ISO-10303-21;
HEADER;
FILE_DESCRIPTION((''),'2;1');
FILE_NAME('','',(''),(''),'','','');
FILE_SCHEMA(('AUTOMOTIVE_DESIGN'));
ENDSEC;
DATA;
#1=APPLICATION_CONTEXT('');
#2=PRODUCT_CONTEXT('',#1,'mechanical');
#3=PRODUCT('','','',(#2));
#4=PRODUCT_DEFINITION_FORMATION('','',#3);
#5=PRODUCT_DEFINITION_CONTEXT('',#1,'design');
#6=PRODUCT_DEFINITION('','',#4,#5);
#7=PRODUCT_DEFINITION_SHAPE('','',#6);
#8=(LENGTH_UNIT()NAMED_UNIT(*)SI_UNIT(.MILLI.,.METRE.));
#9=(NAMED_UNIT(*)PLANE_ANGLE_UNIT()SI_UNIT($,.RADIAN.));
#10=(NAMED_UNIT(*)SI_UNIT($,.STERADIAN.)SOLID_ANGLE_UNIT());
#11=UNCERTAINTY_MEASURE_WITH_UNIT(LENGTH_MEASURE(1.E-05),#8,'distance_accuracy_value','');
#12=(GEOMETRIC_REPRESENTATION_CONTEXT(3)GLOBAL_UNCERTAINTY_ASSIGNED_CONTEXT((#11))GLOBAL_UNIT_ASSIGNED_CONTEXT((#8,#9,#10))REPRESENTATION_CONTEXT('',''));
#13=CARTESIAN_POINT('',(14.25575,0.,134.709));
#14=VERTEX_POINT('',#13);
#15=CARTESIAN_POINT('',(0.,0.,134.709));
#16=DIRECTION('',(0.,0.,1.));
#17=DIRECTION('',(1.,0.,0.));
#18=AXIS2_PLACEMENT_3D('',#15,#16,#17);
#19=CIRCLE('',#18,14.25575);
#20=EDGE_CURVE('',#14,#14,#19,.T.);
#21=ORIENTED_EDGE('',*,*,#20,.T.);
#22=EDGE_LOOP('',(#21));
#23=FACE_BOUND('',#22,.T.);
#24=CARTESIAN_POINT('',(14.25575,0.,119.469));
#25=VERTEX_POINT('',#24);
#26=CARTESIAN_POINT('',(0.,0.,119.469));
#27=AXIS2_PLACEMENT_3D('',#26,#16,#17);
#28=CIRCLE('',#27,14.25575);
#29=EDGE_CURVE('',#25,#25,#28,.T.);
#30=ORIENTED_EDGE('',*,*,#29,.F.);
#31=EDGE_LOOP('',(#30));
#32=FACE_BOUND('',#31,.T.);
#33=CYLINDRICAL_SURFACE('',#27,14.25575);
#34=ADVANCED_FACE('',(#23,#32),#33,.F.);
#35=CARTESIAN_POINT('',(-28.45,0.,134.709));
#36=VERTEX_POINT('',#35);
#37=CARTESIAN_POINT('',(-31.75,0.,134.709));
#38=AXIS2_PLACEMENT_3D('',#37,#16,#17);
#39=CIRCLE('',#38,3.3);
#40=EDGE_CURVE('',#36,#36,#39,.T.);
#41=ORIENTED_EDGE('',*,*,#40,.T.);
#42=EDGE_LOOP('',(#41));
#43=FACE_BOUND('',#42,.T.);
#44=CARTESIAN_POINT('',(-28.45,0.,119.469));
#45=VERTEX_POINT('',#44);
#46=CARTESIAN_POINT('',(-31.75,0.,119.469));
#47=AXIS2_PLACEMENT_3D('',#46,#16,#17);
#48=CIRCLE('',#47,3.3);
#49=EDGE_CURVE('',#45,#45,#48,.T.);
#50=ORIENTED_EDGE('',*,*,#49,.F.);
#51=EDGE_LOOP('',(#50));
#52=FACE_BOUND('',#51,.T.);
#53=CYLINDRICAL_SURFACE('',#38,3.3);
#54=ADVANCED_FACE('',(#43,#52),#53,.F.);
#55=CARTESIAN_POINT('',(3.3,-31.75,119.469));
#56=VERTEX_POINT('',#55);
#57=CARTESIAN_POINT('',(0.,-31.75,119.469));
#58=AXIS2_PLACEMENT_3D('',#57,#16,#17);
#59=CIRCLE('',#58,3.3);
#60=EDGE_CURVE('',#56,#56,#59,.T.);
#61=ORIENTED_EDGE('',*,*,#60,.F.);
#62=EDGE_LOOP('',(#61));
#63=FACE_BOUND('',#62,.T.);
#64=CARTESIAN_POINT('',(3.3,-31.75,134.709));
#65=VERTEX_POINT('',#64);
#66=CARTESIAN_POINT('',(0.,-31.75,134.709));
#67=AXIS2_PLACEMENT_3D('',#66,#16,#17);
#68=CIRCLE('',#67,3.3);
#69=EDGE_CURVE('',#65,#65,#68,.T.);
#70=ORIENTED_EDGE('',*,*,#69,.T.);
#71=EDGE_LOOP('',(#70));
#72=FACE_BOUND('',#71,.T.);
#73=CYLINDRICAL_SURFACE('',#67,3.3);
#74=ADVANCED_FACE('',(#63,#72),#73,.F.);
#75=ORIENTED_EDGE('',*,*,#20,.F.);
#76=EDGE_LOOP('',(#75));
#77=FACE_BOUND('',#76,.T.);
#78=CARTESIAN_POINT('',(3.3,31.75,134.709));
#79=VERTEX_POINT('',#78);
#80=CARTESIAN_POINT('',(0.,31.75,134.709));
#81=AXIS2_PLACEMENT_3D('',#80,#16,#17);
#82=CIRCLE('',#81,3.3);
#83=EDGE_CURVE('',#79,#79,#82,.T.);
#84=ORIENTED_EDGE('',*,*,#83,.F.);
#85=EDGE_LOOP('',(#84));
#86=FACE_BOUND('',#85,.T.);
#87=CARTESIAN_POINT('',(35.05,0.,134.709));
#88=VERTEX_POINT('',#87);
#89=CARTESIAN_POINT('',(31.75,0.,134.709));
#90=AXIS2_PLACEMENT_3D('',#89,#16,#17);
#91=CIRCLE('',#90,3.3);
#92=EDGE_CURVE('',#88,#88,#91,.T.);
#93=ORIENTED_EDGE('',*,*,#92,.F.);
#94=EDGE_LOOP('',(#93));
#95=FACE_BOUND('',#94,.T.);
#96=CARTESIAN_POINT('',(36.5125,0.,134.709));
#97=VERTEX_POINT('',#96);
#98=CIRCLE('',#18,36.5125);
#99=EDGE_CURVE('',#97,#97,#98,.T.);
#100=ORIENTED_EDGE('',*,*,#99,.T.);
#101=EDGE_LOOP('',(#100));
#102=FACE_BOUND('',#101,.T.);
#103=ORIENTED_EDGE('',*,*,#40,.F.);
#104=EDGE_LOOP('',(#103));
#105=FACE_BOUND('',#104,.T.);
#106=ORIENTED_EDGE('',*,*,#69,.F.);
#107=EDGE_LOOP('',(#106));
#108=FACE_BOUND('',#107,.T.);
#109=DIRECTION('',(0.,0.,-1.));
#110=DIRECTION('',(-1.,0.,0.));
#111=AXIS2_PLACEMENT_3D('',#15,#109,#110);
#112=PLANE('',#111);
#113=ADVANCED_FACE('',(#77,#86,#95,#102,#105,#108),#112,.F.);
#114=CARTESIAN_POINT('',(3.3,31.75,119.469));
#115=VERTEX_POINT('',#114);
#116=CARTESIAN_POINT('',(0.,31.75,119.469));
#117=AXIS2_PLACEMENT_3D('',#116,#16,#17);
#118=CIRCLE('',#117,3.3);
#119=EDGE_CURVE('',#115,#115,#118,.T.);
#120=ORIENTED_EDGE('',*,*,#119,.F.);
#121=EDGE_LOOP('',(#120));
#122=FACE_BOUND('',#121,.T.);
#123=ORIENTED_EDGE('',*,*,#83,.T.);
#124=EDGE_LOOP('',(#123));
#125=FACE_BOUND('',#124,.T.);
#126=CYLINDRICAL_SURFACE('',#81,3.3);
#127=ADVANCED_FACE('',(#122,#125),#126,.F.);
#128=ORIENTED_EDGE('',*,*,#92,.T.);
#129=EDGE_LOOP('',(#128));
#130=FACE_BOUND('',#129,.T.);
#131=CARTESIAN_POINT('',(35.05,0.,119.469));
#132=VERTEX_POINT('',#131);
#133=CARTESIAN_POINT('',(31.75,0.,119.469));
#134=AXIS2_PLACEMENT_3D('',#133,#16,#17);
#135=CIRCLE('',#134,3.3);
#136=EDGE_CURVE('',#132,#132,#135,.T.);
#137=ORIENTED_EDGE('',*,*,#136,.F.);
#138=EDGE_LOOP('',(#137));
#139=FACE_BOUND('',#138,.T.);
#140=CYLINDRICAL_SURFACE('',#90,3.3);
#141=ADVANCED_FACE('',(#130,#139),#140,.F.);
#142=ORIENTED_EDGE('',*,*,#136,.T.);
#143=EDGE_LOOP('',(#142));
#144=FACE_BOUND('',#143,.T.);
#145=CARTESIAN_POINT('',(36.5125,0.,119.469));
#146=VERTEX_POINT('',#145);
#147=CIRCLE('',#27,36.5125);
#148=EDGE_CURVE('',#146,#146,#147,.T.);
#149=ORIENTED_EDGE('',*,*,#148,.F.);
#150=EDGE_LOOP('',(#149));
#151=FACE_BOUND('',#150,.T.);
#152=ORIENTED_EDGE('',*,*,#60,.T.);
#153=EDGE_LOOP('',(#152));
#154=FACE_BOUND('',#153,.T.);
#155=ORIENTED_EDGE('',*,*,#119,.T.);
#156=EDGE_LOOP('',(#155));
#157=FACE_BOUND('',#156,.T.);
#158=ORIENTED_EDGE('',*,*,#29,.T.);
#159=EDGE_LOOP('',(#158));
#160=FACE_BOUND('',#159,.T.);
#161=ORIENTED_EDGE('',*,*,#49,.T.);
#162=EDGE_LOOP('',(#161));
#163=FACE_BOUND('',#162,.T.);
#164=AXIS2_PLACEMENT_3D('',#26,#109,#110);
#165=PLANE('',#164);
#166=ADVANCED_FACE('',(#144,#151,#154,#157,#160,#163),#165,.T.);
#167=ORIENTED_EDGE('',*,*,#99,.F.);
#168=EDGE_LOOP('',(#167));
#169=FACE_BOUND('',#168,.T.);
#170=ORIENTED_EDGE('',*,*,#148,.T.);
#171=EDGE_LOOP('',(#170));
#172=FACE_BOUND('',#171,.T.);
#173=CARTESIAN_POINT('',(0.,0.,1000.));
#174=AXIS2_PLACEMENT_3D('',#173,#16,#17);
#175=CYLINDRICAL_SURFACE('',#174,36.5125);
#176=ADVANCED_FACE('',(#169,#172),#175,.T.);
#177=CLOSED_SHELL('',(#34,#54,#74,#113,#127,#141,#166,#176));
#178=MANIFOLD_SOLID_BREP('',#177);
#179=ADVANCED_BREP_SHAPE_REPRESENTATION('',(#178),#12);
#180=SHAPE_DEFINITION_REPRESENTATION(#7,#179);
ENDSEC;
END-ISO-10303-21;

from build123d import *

# Parameters (mm, degrees)
SKETCH1_W            = 15.24
SKETCH1_H            = 26.9875
SKETCH5_R            = 14.25575
SEAL_SEAT_DEPTH      = 54.838489136
M6_CLEARANCE_HOLE1_D = 6.6
CIRPATTERN1_COUNT    = 4


with BuildPart() as part:
    # Sketch1 → Main_body (revolve)
    with BuildSketch(Plane(origin=(0, 0, 0), x_dir=(0, 0, -1), z_dir=(1, 0, 0)), mode=Mode.PRIVATE) as main_body_sk:
        with Locations((-127.089000076, -23.01875)):
            Rectangle(SKETCH1_W, SKETCH1_H)
        with Locations((-127.089000076, 23.01875)):
            Rectangle(SKETCH1_W, SKETCH1_H)
    revolve(main_body_sk.sketch.rotate(Axis((0, 0, 1000), (0, 0, -1)), 270), axis=Axis((0, 0, 1000), (0, 0, -1)))

    # Sketch5 → seal_seat (cut, through all)
    with BuildSketch(Plane.XY.offset(134.709000076)):
        Circle(SKETCH5_R)
    extrude(amount=-SEAL_SEAT_DEPTH, mode=Mode.SUBTRACT)

    # M6 Clearance Hole1 (through all)
    with Locations(Plane.XY.offset(134.709000076)):
        with Locations((0, 31.75)):
            m6_clearance_hole1 = Hole(M6_CLEARANCE_HOLE1_D / 2)

    # CirPattern1: M6 Clearance Hole1 ×4 about axis
    cirpattern1_axis = Axis((0, 0, 0), (0, 0, 1))
    for i in range(1, CIRPATTERN1_COUNT):
        add(m6_clearance_hole1.rotate(cirpattern1_axis, i * 360 / CIRPATTERN1_COUNT), mode=Mode.SUBTRACT)


solid = part.part
